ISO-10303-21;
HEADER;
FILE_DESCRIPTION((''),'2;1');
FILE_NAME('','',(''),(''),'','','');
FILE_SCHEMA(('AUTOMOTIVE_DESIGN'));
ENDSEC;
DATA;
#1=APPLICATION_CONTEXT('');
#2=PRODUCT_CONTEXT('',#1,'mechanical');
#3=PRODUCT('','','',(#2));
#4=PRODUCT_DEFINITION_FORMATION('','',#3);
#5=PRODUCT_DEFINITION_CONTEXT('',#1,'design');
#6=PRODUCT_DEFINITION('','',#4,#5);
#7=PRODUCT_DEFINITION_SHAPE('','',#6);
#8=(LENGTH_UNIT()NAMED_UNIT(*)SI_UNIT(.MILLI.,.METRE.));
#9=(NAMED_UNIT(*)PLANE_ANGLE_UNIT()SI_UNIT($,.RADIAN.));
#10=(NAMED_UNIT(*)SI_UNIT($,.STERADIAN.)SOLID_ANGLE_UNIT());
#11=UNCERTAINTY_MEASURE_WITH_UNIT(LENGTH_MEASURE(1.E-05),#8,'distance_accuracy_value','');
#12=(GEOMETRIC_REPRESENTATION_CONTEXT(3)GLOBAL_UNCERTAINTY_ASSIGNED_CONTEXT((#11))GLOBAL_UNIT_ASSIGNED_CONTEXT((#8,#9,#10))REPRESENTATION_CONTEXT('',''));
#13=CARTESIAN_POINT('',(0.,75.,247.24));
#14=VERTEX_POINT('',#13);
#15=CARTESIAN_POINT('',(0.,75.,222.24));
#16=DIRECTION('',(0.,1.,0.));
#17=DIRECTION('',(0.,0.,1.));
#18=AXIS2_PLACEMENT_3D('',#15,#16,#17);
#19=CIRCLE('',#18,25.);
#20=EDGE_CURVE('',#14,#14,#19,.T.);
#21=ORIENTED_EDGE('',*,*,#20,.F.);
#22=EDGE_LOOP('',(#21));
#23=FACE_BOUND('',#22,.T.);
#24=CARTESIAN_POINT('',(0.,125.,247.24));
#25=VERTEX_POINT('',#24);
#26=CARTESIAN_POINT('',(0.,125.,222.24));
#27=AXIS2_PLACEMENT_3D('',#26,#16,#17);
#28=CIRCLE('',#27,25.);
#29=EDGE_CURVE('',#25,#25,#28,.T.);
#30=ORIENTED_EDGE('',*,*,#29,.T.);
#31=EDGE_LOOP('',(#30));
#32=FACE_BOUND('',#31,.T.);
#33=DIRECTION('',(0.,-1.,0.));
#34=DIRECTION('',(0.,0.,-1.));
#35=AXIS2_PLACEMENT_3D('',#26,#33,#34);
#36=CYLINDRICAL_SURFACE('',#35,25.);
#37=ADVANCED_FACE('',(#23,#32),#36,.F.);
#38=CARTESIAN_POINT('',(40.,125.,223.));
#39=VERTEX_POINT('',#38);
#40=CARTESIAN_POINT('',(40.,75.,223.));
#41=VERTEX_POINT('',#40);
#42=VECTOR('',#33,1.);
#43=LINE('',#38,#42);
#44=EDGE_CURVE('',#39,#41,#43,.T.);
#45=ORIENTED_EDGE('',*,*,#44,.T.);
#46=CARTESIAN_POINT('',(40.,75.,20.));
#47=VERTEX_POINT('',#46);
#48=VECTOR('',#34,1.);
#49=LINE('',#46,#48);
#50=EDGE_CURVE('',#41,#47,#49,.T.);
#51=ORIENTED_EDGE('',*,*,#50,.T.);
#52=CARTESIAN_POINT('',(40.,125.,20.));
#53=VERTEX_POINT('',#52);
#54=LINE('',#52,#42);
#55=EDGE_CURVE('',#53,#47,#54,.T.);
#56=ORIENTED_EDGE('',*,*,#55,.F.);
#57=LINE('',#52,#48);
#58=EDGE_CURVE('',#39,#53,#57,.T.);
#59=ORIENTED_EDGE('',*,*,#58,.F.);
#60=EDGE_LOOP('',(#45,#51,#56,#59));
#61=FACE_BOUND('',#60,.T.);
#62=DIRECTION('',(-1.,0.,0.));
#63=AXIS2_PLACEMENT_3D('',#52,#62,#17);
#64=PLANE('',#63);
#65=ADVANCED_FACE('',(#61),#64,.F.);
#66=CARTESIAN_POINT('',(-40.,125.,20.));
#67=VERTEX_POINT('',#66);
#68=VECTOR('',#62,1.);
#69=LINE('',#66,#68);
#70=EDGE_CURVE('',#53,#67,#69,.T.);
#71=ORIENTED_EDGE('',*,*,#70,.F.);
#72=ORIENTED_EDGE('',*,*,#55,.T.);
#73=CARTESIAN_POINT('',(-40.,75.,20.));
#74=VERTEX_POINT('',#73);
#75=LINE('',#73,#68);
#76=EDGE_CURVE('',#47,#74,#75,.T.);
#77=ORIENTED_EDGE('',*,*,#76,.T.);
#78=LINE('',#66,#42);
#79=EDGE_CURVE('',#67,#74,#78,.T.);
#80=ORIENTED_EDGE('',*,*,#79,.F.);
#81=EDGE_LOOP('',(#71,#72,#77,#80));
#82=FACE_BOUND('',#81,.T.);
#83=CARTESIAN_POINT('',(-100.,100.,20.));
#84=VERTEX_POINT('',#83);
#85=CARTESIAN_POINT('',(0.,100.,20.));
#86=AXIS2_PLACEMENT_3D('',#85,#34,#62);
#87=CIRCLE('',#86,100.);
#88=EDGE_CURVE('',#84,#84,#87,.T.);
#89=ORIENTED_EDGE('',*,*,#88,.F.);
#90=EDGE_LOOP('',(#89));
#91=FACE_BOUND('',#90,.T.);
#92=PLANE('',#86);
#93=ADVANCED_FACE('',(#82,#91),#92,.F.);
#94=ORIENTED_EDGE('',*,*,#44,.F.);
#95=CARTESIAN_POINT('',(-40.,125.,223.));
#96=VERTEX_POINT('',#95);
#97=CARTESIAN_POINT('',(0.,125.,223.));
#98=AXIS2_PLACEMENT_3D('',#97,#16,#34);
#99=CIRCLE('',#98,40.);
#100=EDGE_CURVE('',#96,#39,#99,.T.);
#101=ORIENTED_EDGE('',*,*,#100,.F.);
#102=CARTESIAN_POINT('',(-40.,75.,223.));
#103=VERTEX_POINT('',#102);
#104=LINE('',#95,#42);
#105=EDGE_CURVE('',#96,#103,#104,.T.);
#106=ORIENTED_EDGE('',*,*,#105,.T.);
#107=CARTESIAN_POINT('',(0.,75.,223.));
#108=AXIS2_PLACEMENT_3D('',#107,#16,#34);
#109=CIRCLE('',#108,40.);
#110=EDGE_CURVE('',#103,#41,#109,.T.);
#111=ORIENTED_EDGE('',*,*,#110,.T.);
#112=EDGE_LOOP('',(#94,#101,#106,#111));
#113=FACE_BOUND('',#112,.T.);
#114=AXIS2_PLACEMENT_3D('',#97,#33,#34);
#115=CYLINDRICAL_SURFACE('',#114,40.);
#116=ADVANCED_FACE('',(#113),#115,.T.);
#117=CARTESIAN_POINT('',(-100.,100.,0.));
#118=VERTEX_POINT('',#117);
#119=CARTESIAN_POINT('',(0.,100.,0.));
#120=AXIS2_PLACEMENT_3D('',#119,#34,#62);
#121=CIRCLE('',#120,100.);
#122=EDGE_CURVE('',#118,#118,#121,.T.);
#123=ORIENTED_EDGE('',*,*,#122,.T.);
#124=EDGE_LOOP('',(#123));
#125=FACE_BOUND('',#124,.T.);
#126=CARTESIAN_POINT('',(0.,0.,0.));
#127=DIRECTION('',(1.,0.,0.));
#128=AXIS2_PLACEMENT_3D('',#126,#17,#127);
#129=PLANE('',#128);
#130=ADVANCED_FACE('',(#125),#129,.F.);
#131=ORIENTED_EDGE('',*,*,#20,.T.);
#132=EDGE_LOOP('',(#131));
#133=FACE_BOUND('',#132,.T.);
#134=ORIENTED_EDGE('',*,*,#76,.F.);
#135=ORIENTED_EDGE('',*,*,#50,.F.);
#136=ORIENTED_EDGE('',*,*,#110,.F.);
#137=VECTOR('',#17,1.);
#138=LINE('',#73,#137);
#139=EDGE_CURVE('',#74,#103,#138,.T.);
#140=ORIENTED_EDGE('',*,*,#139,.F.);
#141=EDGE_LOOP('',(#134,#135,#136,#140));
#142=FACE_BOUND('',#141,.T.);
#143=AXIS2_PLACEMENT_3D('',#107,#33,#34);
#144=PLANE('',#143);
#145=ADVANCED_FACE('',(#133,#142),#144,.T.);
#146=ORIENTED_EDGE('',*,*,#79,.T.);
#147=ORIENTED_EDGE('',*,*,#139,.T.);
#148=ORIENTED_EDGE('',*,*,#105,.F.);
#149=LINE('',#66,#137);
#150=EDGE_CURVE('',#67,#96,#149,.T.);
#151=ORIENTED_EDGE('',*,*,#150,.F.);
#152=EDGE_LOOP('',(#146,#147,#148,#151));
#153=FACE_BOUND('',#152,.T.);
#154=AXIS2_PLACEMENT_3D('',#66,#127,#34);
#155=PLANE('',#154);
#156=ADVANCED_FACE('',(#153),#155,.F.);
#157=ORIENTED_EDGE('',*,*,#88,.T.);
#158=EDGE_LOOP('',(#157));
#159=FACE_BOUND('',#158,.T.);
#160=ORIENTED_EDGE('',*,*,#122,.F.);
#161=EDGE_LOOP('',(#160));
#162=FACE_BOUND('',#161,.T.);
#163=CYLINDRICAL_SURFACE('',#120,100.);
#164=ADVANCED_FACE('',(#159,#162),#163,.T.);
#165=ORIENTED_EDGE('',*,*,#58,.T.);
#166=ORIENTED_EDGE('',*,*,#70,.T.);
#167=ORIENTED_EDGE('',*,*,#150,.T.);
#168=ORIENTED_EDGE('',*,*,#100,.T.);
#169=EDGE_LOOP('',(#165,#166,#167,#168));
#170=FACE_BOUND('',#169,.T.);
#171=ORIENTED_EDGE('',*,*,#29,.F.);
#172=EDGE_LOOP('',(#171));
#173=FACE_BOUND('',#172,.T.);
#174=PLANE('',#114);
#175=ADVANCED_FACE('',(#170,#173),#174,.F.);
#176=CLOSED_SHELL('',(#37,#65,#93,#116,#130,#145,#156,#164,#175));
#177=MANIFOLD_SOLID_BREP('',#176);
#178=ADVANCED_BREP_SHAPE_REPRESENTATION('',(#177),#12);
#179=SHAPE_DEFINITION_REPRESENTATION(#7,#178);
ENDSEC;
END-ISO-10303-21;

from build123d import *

# Parameters (mm, degrees)
SKETCH1_W           = 100
SKETCH1_H           = 20
BOSS_EXTRUDE4_START = 75
SKETCH6_R           = 25
BOSS_EXTRUDE4_DEPTH = 50


with BuildPart() as part:
    # Sketch1 → Revolve1 (revolve)
    with BuildSketch(Plane.YZ):
        with Locations((50, 10)):
            Rectangle(SKETCH1_W, SKETCH1_H)
    revolve(axis=Axis((0, 100, 0), (0, 0, 1)))

    # Sketch6 → Boss-Extrude4 (add)
    with BuildSketch(Plane(origin=(0, 0, 0), x_dir=(-1, 0, 0), z_dir=(0, 1, 0)).offset(BOSS_EXTRUDE4_START)):
        with BuildLine():
            Line((40, 20), (-40, 20))
            Line((-40, 20), (-40, 223))
            ThreePointArc((-40, 223), (0, 263), (40, 223))
            Line((40, 223), (40, 20))
        make_face()
        with Locations((0, 222.24)):
            Circle(SKETCH6_R, mode=Mode.SUBTRACT)
    extrude(amount=BOSS_EXTRUDE4_DEPTH)


solid = part.part
